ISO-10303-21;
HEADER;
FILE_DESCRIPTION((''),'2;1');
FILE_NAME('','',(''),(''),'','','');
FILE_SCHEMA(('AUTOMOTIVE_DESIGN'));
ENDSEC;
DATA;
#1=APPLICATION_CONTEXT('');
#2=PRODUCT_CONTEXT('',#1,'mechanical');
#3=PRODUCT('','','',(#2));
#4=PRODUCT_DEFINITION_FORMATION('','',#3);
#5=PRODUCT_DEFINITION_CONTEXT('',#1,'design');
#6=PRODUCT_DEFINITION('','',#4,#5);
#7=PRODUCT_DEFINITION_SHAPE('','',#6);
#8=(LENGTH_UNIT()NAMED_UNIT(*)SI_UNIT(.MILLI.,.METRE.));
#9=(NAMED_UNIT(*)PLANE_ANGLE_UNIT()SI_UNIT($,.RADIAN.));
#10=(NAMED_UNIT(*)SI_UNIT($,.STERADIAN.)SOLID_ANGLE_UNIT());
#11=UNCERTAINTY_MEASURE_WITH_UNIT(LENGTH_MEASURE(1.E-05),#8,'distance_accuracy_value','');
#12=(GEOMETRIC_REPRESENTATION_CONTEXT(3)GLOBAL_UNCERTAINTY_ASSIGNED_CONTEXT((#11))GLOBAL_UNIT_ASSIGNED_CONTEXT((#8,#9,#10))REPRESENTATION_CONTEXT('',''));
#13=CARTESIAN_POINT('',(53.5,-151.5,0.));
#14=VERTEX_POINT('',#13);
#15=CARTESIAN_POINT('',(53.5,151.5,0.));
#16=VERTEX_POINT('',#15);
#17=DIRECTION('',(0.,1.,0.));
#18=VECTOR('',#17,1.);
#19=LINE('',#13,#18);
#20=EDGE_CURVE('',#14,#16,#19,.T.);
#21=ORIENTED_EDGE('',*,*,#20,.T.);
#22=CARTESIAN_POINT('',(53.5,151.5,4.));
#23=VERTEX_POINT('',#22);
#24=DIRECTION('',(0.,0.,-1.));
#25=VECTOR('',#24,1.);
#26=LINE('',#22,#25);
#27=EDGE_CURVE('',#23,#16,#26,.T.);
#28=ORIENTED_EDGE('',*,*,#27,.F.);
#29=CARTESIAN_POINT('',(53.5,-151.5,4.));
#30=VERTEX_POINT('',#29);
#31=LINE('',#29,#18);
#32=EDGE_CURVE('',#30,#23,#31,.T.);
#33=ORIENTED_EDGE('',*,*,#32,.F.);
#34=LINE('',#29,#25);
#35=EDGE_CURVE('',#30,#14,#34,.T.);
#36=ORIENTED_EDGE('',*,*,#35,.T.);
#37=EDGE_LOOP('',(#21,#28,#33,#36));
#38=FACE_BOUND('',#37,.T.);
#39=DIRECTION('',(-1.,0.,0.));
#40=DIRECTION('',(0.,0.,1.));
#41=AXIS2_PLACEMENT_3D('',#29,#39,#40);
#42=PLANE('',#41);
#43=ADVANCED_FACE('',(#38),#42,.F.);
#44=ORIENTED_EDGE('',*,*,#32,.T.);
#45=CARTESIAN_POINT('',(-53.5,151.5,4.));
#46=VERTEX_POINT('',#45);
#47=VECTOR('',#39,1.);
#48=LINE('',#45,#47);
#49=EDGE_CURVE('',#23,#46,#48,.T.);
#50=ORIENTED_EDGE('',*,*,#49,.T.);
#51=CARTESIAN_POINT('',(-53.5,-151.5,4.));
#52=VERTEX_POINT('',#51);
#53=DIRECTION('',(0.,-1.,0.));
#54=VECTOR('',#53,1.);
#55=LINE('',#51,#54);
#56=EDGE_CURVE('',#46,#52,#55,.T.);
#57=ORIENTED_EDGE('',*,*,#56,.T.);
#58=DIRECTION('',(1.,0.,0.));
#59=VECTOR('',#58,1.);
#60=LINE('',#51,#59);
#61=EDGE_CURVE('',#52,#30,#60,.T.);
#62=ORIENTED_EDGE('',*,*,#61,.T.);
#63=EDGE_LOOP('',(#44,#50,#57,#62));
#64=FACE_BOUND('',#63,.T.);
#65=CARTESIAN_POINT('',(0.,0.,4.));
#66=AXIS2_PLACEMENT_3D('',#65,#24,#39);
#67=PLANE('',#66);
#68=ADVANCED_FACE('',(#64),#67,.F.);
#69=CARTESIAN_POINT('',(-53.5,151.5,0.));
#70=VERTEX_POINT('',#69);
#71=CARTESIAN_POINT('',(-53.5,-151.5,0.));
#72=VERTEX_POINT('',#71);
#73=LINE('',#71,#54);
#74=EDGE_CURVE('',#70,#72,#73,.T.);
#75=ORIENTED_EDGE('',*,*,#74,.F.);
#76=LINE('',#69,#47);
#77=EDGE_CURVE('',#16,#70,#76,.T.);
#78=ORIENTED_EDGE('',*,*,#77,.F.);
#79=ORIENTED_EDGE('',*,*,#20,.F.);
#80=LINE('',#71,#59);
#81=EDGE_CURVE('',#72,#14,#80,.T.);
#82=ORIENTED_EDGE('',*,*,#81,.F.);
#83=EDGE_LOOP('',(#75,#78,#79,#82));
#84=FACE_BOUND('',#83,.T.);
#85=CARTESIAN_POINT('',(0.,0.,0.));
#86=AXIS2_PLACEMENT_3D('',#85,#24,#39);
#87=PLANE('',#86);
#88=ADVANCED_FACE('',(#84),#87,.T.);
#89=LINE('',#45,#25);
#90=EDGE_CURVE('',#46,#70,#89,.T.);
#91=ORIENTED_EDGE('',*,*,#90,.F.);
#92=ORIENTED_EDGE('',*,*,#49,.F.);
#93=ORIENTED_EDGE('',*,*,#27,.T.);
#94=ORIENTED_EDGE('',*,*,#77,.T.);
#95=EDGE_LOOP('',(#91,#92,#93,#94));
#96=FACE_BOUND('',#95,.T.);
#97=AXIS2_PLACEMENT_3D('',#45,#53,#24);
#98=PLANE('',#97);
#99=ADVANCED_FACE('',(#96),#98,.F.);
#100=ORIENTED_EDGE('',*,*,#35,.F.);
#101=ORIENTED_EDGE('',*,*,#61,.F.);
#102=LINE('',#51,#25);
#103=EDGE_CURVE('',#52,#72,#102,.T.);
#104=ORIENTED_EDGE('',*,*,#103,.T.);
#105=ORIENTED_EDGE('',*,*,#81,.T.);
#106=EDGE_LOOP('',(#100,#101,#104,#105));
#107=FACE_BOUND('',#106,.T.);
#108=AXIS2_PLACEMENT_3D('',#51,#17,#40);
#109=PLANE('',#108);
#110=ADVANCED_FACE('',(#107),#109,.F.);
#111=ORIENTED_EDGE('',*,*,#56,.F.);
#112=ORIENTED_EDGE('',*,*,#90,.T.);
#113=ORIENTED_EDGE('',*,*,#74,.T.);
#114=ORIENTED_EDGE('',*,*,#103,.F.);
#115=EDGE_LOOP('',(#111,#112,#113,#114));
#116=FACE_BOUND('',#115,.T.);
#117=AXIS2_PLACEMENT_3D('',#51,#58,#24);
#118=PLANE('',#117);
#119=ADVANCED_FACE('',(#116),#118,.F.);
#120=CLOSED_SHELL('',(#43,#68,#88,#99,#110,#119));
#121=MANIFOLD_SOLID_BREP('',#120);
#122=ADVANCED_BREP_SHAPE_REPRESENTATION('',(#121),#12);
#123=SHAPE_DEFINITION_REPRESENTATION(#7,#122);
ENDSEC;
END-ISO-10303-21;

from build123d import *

# Parameters (mm, degrees)
ESQUISSE1_W        = 107
ESQUISSE1_H        = 303
BOSS_EXTRU_1_DEPTH = 4


with BuildPart() as part:
    # Esquisse1 → Boss.-Extru.1 (new body)
    with BuildSketch(Plane.XY):
        Rectangle(ESQUISSE1_W, ESQUISSE1_H)
    extrude(amount=BOSS_EXTRU_1_DEPTH)


solid = part.part
